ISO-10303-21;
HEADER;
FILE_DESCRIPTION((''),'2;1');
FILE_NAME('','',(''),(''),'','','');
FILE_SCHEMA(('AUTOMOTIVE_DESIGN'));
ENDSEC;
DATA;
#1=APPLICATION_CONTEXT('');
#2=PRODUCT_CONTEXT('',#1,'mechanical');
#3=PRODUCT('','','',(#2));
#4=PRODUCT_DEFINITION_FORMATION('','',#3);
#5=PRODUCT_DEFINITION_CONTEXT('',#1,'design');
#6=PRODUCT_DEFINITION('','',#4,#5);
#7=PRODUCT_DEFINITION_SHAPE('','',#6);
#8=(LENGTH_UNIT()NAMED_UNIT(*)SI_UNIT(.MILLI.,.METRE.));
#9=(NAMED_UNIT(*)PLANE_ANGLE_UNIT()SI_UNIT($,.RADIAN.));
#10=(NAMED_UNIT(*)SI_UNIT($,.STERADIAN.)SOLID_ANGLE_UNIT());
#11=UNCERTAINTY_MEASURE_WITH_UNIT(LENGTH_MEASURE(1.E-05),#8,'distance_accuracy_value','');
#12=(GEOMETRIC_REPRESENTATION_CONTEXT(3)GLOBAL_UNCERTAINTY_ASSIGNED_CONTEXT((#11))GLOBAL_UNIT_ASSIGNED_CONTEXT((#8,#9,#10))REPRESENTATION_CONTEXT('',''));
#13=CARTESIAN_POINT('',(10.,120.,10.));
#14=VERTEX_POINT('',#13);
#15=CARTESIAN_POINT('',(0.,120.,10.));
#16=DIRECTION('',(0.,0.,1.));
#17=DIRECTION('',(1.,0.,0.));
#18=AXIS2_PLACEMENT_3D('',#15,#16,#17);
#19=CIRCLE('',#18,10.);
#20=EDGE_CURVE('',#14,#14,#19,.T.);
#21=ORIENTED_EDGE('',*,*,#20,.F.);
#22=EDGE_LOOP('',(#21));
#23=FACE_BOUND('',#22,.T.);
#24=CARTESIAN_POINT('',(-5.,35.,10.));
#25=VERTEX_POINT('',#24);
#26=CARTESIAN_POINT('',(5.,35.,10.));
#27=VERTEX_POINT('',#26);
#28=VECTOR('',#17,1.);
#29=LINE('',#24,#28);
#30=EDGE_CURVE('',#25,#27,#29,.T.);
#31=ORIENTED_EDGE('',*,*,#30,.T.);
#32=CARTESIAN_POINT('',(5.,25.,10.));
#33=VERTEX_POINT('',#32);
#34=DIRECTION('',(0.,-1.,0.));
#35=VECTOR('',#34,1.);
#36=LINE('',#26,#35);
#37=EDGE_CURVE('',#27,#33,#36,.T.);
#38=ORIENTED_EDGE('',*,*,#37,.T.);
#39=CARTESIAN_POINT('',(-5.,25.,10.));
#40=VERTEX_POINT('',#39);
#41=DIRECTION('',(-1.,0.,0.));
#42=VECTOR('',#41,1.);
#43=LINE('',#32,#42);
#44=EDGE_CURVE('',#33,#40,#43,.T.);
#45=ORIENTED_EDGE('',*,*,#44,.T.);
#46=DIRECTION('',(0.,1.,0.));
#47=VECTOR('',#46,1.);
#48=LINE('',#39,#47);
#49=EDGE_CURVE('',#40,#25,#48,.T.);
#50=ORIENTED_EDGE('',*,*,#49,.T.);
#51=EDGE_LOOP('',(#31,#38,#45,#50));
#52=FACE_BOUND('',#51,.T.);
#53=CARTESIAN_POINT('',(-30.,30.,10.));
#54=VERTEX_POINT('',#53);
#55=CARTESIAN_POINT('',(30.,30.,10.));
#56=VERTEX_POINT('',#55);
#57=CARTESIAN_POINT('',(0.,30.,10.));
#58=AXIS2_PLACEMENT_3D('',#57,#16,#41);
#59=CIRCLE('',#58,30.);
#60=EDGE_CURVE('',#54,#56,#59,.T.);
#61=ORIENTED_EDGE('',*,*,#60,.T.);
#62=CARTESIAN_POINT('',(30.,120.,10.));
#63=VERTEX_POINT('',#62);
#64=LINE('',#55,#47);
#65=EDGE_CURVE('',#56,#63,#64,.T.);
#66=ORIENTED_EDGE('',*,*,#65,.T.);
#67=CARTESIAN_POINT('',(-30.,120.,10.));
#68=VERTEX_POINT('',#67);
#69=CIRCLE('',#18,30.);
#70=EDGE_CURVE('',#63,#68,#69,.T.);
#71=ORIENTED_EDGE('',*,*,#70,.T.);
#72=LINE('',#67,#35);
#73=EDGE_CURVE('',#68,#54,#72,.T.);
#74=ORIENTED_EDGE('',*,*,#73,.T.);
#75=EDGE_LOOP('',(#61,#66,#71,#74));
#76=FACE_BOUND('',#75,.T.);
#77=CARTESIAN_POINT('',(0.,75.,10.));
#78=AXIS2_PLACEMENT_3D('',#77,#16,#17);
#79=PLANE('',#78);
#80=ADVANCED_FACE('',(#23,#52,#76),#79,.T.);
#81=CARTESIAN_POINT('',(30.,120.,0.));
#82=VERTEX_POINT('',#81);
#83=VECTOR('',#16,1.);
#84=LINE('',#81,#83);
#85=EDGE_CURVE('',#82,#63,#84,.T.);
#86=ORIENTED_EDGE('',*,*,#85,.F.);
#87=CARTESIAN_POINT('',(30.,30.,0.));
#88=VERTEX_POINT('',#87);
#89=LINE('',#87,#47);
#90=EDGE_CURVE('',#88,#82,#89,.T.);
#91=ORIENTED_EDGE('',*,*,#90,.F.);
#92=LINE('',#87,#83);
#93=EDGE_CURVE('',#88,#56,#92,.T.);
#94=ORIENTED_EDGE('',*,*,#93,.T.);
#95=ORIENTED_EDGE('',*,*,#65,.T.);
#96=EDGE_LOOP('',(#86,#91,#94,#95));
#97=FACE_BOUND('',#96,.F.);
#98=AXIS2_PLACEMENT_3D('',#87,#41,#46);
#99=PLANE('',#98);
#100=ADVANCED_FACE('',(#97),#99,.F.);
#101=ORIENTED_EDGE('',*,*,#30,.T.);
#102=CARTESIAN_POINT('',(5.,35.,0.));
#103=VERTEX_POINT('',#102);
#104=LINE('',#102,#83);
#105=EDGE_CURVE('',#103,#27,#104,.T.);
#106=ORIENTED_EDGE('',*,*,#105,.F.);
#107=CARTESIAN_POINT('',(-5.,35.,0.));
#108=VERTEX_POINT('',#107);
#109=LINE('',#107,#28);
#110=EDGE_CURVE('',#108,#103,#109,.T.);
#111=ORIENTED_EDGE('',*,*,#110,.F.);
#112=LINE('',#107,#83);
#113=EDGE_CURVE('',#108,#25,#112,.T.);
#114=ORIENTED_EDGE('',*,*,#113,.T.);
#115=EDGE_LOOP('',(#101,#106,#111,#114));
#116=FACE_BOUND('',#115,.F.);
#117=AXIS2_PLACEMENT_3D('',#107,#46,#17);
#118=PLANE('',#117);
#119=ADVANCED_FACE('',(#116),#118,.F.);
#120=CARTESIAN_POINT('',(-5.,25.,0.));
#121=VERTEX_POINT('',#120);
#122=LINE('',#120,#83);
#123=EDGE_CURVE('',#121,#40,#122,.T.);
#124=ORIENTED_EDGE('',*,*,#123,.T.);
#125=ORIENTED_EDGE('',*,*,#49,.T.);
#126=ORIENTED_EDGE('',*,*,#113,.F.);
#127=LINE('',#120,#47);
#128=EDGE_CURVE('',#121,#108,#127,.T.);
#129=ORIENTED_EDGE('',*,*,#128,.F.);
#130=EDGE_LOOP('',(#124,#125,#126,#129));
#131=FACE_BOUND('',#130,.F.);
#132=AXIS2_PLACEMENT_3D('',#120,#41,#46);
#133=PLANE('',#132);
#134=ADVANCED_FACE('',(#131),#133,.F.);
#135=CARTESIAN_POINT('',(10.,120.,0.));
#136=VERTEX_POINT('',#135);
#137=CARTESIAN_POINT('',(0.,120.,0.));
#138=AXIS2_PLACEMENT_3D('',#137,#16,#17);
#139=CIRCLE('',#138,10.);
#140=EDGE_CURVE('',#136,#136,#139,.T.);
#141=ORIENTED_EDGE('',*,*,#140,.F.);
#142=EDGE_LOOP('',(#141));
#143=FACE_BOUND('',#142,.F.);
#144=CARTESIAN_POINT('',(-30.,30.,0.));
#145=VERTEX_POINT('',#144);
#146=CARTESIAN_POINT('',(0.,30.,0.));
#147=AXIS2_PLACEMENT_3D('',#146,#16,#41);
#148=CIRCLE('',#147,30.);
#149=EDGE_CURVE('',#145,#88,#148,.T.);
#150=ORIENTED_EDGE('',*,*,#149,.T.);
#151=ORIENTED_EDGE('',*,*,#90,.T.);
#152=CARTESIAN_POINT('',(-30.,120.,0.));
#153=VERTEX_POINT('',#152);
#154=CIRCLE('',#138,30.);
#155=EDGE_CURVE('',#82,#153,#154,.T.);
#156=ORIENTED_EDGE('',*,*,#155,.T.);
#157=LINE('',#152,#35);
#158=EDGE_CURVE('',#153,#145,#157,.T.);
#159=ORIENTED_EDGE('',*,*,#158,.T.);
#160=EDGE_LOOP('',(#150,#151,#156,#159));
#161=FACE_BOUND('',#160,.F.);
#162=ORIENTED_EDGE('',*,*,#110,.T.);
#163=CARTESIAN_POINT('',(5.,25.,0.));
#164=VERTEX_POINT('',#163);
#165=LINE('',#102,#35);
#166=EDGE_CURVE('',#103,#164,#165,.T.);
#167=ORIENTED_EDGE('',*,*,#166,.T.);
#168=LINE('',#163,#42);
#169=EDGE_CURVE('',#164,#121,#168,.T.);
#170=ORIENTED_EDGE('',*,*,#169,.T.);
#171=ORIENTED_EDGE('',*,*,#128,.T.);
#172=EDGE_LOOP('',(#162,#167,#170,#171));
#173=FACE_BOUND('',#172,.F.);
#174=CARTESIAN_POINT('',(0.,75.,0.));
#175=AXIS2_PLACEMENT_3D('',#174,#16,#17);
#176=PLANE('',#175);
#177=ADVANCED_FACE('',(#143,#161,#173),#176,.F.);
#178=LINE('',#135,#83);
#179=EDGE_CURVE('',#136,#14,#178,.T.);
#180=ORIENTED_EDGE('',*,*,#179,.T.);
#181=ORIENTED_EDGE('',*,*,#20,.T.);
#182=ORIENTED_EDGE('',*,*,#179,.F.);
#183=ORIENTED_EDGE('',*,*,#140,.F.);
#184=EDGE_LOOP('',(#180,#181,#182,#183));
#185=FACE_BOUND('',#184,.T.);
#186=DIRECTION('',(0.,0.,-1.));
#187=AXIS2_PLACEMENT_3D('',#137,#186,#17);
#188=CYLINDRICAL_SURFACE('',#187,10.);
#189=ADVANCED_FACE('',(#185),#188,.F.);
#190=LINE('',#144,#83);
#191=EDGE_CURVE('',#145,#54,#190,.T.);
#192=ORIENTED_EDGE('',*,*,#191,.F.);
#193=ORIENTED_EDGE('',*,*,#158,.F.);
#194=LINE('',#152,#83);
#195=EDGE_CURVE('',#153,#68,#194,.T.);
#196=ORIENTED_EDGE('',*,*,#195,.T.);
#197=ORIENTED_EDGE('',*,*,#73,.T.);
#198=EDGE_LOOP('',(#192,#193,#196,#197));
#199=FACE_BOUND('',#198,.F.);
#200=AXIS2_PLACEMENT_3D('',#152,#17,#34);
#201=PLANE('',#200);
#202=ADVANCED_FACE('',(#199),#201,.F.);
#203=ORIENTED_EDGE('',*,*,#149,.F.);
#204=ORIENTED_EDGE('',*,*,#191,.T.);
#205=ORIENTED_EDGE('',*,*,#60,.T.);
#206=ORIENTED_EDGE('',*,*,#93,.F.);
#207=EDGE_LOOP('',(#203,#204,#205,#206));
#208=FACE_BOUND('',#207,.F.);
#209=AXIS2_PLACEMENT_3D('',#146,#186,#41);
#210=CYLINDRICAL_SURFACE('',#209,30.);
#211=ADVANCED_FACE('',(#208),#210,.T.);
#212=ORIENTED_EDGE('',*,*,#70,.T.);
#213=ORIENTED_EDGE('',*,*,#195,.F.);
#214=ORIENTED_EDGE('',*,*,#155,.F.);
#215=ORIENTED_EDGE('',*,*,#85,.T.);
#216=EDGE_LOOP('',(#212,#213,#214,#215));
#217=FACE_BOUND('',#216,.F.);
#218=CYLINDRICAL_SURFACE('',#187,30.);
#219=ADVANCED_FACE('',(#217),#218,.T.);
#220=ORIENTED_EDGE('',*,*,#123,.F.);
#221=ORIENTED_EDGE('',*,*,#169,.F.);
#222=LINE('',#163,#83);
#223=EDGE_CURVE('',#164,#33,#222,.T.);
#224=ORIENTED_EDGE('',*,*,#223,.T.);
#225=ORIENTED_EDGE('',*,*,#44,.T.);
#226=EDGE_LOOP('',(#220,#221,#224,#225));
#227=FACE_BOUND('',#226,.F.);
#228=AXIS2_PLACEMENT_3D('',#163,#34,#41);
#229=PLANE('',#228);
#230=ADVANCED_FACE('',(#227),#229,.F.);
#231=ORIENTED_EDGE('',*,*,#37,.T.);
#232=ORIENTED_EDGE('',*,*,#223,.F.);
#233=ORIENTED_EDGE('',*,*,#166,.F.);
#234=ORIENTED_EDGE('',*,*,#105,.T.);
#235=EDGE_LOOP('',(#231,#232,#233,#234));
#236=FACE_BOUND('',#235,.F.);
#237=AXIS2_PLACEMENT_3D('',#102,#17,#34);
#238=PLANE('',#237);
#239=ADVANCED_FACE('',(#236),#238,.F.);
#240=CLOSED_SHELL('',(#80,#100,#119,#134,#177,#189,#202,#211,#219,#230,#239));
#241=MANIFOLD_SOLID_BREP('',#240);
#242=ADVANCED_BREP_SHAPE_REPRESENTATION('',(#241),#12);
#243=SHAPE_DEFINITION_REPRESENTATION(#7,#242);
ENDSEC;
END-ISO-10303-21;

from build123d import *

# Parameters (mm, degrees)
F0_R     = 10
F1_DEPTH = 10


with BuildPart() as f1:
    # F0 (on Top) → F1 (new body)
    with BuildSketch(Plane.XY):
        with BuildLine():
            Line((-30, 120), (-30, 30))
            ThreePointArc((-30, 30), (0, 0), (30, 30))
            Line((30, 30), (30, 120))
            ThreePointArc((30, 120), (0, 150), (-30, 120))
        make_face()
        Polygon((-5, 25), (-5, 30), (-5, 35), (5, 35), (5, 25), align=None, mode=Mode.SUBTRACT)
        with Locations((0, 120)):
            Circle(F0_R, mode=Mode.SUBTRACT)
    extrude(amount=F1_DEPTH)


solid = f1.part
